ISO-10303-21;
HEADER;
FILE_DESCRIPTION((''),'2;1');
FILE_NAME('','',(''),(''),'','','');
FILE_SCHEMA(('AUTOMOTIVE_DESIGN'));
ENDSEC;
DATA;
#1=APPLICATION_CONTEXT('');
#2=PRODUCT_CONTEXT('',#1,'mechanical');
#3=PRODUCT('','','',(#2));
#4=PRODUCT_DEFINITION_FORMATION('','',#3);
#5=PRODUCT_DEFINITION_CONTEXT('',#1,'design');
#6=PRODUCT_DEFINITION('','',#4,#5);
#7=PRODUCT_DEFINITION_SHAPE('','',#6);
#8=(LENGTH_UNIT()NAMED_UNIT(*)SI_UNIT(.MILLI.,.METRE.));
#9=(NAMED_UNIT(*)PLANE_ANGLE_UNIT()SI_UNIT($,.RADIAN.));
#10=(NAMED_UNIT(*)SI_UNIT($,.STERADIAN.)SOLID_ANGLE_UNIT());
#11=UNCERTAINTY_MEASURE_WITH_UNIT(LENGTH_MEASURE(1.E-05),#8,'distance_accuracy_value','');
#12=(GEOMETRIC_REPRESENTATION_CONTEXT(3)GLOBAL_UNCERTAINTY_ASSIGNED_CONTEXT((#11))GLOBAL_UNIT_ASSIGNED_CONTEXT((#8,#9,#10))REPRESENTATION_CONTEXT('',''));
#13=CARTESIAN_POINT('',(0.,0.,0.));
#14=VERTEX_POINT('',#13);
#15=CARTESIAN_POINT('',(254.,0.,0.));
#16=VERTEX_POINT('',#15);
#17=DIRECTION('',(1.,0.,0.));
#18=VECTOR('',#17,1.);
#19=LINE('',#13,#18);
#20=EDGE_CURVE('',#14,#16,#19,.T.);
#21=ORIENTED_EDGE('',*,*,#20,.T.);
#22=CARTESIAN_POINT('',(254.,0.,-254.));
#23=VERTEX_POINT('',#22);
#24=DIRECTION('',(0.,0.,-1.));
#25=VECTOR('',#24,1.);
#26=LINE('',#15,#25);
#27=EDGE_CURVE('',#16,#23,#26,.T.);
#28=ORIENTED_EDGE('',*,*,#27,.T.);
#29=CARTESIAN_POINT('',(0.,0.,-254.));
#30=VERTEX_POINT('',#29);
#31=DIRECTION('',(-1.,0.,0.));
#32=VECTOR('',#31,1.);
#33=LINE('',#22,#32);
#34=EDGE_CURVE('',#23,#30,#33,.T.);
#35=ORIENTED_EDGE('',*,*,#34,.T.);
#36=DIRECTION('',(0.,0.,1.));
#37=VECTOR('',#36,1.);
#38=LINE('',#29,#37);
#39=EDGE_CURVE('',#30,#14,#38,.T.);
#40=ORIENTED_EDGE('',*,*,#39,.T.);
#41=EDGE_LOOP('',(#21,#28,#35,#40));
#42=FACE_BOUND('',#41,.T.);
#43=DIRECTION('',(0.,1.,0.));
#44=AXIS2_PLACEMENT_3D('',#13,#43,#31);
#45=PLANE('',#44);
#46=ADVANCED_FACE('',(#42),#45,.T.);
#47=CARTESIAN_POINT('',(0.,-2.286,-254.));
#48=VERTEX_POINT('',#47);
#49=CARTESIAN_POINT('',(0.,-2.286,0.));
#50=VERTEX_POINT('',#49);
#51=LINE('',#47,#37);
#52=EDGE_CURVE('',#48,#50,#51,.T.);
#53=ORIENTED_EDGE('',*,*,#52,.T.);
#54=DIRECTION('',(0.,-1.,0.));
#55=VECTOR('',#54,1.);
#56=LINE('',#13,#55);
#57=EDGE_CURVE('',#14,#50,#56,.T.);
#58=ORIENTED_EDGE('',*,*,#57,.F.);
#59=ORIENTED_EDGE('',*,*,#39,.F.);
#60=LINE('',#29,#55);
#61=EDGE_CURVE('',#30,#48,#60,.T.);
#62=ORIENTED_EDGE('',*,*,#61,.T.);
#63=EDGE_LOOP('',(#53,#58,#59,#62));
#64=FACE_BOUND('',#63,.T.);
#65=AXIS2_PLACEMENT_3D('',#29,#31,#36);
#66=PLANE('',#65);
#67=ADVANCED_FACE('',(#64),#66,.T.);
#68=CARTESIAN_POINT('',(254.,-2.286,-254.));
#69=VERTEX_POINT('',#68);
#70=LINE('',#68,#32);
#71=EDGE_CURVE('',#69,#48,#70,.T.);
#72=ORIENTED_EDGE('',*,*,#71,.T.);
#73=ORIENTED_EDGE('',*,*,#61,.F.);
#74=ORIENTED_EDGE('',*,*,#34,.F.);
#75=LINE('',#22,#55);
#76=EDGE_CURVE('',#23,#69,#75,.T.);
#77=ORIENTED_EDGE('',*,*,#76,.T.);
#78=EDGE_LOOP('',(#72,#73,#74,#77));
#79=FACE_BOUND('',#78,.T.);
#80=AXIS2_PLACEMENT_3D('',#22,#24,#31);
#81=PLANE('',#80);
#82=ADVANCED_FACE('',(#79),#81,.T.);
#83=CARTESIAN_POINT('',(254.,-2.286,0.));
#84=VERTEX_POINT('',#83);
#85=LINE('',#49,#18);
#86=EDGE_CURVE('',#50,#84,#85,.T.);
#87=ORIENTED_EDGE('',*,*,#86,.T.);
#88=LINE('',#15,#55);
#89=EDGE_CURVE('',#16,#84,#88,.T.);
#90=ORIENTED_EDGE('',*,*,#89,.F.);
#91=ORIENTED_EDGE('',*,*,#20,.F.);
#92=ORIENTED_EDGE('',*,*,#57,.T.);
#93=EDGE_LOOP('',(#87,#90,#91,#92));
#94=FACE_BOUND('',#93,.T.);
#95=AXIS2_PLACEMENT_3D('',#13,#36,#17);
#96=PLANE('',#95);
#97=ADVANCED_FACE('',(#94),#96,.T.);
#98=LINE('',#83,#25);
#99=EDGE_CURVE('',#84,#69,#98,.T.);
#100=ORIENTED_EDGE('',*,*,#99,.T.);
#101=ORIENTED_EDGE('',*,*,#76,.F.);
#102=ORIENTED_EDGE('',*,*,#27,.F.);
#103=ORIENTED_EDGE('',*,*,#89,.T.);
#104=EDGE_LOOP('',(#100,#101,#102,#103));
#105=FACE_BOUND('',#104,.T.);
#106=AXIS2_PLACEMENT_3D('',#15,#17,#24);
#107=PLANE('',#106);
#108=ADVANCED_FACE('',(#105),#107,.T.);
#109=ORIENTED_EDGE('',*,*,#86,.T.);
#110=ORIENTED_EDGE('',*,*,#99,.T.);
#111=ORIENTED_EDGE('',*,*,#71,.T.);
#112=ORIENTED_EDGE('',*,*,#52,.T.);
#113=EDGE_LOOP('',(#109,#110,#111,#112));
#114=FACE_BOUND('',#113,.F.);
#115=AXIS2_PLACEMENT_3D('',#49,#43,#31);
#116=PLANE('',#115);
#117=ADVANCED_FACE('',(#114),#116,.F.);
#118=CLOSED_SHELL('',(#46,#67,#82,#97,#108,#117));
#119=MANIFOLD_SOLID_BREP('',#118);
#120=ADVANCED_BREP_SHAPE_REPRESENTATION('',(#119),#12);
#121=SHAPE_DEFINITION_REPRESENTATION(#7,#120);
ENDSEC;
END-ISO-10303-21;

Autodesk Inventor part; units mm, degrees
ref_plane "YZ Plane" through (0, 0, 0) normal (1, 0, 0) x (0, 1, 0)
ref_plane "XZ Plane" through (0, 0, 0) normal (0, 1, 0) x (-1, 0, 0)
ref_plane "XY Plane" through (0, 0, 0) normal (0, 0, 1) x (1, 0, 0)
sketch "Sketch1" plane through (0, 0, 0) normal (0, 1, 0) x (-1, 0, 0)
  line L0 (0, 0) -> (-254, 0)
  line L1 (-254, 0) -> (-254, -254)
  line L2 (-254, -254) -> (0, -254)
  line L3 (0, -254) -> (0, 0)
  dimension "d0" = 254
  dimension "d1" = 254
extrude "Extrusion1" add sketch "Sketch1" against normal blind 2.286
properties part number "Ceiling"
